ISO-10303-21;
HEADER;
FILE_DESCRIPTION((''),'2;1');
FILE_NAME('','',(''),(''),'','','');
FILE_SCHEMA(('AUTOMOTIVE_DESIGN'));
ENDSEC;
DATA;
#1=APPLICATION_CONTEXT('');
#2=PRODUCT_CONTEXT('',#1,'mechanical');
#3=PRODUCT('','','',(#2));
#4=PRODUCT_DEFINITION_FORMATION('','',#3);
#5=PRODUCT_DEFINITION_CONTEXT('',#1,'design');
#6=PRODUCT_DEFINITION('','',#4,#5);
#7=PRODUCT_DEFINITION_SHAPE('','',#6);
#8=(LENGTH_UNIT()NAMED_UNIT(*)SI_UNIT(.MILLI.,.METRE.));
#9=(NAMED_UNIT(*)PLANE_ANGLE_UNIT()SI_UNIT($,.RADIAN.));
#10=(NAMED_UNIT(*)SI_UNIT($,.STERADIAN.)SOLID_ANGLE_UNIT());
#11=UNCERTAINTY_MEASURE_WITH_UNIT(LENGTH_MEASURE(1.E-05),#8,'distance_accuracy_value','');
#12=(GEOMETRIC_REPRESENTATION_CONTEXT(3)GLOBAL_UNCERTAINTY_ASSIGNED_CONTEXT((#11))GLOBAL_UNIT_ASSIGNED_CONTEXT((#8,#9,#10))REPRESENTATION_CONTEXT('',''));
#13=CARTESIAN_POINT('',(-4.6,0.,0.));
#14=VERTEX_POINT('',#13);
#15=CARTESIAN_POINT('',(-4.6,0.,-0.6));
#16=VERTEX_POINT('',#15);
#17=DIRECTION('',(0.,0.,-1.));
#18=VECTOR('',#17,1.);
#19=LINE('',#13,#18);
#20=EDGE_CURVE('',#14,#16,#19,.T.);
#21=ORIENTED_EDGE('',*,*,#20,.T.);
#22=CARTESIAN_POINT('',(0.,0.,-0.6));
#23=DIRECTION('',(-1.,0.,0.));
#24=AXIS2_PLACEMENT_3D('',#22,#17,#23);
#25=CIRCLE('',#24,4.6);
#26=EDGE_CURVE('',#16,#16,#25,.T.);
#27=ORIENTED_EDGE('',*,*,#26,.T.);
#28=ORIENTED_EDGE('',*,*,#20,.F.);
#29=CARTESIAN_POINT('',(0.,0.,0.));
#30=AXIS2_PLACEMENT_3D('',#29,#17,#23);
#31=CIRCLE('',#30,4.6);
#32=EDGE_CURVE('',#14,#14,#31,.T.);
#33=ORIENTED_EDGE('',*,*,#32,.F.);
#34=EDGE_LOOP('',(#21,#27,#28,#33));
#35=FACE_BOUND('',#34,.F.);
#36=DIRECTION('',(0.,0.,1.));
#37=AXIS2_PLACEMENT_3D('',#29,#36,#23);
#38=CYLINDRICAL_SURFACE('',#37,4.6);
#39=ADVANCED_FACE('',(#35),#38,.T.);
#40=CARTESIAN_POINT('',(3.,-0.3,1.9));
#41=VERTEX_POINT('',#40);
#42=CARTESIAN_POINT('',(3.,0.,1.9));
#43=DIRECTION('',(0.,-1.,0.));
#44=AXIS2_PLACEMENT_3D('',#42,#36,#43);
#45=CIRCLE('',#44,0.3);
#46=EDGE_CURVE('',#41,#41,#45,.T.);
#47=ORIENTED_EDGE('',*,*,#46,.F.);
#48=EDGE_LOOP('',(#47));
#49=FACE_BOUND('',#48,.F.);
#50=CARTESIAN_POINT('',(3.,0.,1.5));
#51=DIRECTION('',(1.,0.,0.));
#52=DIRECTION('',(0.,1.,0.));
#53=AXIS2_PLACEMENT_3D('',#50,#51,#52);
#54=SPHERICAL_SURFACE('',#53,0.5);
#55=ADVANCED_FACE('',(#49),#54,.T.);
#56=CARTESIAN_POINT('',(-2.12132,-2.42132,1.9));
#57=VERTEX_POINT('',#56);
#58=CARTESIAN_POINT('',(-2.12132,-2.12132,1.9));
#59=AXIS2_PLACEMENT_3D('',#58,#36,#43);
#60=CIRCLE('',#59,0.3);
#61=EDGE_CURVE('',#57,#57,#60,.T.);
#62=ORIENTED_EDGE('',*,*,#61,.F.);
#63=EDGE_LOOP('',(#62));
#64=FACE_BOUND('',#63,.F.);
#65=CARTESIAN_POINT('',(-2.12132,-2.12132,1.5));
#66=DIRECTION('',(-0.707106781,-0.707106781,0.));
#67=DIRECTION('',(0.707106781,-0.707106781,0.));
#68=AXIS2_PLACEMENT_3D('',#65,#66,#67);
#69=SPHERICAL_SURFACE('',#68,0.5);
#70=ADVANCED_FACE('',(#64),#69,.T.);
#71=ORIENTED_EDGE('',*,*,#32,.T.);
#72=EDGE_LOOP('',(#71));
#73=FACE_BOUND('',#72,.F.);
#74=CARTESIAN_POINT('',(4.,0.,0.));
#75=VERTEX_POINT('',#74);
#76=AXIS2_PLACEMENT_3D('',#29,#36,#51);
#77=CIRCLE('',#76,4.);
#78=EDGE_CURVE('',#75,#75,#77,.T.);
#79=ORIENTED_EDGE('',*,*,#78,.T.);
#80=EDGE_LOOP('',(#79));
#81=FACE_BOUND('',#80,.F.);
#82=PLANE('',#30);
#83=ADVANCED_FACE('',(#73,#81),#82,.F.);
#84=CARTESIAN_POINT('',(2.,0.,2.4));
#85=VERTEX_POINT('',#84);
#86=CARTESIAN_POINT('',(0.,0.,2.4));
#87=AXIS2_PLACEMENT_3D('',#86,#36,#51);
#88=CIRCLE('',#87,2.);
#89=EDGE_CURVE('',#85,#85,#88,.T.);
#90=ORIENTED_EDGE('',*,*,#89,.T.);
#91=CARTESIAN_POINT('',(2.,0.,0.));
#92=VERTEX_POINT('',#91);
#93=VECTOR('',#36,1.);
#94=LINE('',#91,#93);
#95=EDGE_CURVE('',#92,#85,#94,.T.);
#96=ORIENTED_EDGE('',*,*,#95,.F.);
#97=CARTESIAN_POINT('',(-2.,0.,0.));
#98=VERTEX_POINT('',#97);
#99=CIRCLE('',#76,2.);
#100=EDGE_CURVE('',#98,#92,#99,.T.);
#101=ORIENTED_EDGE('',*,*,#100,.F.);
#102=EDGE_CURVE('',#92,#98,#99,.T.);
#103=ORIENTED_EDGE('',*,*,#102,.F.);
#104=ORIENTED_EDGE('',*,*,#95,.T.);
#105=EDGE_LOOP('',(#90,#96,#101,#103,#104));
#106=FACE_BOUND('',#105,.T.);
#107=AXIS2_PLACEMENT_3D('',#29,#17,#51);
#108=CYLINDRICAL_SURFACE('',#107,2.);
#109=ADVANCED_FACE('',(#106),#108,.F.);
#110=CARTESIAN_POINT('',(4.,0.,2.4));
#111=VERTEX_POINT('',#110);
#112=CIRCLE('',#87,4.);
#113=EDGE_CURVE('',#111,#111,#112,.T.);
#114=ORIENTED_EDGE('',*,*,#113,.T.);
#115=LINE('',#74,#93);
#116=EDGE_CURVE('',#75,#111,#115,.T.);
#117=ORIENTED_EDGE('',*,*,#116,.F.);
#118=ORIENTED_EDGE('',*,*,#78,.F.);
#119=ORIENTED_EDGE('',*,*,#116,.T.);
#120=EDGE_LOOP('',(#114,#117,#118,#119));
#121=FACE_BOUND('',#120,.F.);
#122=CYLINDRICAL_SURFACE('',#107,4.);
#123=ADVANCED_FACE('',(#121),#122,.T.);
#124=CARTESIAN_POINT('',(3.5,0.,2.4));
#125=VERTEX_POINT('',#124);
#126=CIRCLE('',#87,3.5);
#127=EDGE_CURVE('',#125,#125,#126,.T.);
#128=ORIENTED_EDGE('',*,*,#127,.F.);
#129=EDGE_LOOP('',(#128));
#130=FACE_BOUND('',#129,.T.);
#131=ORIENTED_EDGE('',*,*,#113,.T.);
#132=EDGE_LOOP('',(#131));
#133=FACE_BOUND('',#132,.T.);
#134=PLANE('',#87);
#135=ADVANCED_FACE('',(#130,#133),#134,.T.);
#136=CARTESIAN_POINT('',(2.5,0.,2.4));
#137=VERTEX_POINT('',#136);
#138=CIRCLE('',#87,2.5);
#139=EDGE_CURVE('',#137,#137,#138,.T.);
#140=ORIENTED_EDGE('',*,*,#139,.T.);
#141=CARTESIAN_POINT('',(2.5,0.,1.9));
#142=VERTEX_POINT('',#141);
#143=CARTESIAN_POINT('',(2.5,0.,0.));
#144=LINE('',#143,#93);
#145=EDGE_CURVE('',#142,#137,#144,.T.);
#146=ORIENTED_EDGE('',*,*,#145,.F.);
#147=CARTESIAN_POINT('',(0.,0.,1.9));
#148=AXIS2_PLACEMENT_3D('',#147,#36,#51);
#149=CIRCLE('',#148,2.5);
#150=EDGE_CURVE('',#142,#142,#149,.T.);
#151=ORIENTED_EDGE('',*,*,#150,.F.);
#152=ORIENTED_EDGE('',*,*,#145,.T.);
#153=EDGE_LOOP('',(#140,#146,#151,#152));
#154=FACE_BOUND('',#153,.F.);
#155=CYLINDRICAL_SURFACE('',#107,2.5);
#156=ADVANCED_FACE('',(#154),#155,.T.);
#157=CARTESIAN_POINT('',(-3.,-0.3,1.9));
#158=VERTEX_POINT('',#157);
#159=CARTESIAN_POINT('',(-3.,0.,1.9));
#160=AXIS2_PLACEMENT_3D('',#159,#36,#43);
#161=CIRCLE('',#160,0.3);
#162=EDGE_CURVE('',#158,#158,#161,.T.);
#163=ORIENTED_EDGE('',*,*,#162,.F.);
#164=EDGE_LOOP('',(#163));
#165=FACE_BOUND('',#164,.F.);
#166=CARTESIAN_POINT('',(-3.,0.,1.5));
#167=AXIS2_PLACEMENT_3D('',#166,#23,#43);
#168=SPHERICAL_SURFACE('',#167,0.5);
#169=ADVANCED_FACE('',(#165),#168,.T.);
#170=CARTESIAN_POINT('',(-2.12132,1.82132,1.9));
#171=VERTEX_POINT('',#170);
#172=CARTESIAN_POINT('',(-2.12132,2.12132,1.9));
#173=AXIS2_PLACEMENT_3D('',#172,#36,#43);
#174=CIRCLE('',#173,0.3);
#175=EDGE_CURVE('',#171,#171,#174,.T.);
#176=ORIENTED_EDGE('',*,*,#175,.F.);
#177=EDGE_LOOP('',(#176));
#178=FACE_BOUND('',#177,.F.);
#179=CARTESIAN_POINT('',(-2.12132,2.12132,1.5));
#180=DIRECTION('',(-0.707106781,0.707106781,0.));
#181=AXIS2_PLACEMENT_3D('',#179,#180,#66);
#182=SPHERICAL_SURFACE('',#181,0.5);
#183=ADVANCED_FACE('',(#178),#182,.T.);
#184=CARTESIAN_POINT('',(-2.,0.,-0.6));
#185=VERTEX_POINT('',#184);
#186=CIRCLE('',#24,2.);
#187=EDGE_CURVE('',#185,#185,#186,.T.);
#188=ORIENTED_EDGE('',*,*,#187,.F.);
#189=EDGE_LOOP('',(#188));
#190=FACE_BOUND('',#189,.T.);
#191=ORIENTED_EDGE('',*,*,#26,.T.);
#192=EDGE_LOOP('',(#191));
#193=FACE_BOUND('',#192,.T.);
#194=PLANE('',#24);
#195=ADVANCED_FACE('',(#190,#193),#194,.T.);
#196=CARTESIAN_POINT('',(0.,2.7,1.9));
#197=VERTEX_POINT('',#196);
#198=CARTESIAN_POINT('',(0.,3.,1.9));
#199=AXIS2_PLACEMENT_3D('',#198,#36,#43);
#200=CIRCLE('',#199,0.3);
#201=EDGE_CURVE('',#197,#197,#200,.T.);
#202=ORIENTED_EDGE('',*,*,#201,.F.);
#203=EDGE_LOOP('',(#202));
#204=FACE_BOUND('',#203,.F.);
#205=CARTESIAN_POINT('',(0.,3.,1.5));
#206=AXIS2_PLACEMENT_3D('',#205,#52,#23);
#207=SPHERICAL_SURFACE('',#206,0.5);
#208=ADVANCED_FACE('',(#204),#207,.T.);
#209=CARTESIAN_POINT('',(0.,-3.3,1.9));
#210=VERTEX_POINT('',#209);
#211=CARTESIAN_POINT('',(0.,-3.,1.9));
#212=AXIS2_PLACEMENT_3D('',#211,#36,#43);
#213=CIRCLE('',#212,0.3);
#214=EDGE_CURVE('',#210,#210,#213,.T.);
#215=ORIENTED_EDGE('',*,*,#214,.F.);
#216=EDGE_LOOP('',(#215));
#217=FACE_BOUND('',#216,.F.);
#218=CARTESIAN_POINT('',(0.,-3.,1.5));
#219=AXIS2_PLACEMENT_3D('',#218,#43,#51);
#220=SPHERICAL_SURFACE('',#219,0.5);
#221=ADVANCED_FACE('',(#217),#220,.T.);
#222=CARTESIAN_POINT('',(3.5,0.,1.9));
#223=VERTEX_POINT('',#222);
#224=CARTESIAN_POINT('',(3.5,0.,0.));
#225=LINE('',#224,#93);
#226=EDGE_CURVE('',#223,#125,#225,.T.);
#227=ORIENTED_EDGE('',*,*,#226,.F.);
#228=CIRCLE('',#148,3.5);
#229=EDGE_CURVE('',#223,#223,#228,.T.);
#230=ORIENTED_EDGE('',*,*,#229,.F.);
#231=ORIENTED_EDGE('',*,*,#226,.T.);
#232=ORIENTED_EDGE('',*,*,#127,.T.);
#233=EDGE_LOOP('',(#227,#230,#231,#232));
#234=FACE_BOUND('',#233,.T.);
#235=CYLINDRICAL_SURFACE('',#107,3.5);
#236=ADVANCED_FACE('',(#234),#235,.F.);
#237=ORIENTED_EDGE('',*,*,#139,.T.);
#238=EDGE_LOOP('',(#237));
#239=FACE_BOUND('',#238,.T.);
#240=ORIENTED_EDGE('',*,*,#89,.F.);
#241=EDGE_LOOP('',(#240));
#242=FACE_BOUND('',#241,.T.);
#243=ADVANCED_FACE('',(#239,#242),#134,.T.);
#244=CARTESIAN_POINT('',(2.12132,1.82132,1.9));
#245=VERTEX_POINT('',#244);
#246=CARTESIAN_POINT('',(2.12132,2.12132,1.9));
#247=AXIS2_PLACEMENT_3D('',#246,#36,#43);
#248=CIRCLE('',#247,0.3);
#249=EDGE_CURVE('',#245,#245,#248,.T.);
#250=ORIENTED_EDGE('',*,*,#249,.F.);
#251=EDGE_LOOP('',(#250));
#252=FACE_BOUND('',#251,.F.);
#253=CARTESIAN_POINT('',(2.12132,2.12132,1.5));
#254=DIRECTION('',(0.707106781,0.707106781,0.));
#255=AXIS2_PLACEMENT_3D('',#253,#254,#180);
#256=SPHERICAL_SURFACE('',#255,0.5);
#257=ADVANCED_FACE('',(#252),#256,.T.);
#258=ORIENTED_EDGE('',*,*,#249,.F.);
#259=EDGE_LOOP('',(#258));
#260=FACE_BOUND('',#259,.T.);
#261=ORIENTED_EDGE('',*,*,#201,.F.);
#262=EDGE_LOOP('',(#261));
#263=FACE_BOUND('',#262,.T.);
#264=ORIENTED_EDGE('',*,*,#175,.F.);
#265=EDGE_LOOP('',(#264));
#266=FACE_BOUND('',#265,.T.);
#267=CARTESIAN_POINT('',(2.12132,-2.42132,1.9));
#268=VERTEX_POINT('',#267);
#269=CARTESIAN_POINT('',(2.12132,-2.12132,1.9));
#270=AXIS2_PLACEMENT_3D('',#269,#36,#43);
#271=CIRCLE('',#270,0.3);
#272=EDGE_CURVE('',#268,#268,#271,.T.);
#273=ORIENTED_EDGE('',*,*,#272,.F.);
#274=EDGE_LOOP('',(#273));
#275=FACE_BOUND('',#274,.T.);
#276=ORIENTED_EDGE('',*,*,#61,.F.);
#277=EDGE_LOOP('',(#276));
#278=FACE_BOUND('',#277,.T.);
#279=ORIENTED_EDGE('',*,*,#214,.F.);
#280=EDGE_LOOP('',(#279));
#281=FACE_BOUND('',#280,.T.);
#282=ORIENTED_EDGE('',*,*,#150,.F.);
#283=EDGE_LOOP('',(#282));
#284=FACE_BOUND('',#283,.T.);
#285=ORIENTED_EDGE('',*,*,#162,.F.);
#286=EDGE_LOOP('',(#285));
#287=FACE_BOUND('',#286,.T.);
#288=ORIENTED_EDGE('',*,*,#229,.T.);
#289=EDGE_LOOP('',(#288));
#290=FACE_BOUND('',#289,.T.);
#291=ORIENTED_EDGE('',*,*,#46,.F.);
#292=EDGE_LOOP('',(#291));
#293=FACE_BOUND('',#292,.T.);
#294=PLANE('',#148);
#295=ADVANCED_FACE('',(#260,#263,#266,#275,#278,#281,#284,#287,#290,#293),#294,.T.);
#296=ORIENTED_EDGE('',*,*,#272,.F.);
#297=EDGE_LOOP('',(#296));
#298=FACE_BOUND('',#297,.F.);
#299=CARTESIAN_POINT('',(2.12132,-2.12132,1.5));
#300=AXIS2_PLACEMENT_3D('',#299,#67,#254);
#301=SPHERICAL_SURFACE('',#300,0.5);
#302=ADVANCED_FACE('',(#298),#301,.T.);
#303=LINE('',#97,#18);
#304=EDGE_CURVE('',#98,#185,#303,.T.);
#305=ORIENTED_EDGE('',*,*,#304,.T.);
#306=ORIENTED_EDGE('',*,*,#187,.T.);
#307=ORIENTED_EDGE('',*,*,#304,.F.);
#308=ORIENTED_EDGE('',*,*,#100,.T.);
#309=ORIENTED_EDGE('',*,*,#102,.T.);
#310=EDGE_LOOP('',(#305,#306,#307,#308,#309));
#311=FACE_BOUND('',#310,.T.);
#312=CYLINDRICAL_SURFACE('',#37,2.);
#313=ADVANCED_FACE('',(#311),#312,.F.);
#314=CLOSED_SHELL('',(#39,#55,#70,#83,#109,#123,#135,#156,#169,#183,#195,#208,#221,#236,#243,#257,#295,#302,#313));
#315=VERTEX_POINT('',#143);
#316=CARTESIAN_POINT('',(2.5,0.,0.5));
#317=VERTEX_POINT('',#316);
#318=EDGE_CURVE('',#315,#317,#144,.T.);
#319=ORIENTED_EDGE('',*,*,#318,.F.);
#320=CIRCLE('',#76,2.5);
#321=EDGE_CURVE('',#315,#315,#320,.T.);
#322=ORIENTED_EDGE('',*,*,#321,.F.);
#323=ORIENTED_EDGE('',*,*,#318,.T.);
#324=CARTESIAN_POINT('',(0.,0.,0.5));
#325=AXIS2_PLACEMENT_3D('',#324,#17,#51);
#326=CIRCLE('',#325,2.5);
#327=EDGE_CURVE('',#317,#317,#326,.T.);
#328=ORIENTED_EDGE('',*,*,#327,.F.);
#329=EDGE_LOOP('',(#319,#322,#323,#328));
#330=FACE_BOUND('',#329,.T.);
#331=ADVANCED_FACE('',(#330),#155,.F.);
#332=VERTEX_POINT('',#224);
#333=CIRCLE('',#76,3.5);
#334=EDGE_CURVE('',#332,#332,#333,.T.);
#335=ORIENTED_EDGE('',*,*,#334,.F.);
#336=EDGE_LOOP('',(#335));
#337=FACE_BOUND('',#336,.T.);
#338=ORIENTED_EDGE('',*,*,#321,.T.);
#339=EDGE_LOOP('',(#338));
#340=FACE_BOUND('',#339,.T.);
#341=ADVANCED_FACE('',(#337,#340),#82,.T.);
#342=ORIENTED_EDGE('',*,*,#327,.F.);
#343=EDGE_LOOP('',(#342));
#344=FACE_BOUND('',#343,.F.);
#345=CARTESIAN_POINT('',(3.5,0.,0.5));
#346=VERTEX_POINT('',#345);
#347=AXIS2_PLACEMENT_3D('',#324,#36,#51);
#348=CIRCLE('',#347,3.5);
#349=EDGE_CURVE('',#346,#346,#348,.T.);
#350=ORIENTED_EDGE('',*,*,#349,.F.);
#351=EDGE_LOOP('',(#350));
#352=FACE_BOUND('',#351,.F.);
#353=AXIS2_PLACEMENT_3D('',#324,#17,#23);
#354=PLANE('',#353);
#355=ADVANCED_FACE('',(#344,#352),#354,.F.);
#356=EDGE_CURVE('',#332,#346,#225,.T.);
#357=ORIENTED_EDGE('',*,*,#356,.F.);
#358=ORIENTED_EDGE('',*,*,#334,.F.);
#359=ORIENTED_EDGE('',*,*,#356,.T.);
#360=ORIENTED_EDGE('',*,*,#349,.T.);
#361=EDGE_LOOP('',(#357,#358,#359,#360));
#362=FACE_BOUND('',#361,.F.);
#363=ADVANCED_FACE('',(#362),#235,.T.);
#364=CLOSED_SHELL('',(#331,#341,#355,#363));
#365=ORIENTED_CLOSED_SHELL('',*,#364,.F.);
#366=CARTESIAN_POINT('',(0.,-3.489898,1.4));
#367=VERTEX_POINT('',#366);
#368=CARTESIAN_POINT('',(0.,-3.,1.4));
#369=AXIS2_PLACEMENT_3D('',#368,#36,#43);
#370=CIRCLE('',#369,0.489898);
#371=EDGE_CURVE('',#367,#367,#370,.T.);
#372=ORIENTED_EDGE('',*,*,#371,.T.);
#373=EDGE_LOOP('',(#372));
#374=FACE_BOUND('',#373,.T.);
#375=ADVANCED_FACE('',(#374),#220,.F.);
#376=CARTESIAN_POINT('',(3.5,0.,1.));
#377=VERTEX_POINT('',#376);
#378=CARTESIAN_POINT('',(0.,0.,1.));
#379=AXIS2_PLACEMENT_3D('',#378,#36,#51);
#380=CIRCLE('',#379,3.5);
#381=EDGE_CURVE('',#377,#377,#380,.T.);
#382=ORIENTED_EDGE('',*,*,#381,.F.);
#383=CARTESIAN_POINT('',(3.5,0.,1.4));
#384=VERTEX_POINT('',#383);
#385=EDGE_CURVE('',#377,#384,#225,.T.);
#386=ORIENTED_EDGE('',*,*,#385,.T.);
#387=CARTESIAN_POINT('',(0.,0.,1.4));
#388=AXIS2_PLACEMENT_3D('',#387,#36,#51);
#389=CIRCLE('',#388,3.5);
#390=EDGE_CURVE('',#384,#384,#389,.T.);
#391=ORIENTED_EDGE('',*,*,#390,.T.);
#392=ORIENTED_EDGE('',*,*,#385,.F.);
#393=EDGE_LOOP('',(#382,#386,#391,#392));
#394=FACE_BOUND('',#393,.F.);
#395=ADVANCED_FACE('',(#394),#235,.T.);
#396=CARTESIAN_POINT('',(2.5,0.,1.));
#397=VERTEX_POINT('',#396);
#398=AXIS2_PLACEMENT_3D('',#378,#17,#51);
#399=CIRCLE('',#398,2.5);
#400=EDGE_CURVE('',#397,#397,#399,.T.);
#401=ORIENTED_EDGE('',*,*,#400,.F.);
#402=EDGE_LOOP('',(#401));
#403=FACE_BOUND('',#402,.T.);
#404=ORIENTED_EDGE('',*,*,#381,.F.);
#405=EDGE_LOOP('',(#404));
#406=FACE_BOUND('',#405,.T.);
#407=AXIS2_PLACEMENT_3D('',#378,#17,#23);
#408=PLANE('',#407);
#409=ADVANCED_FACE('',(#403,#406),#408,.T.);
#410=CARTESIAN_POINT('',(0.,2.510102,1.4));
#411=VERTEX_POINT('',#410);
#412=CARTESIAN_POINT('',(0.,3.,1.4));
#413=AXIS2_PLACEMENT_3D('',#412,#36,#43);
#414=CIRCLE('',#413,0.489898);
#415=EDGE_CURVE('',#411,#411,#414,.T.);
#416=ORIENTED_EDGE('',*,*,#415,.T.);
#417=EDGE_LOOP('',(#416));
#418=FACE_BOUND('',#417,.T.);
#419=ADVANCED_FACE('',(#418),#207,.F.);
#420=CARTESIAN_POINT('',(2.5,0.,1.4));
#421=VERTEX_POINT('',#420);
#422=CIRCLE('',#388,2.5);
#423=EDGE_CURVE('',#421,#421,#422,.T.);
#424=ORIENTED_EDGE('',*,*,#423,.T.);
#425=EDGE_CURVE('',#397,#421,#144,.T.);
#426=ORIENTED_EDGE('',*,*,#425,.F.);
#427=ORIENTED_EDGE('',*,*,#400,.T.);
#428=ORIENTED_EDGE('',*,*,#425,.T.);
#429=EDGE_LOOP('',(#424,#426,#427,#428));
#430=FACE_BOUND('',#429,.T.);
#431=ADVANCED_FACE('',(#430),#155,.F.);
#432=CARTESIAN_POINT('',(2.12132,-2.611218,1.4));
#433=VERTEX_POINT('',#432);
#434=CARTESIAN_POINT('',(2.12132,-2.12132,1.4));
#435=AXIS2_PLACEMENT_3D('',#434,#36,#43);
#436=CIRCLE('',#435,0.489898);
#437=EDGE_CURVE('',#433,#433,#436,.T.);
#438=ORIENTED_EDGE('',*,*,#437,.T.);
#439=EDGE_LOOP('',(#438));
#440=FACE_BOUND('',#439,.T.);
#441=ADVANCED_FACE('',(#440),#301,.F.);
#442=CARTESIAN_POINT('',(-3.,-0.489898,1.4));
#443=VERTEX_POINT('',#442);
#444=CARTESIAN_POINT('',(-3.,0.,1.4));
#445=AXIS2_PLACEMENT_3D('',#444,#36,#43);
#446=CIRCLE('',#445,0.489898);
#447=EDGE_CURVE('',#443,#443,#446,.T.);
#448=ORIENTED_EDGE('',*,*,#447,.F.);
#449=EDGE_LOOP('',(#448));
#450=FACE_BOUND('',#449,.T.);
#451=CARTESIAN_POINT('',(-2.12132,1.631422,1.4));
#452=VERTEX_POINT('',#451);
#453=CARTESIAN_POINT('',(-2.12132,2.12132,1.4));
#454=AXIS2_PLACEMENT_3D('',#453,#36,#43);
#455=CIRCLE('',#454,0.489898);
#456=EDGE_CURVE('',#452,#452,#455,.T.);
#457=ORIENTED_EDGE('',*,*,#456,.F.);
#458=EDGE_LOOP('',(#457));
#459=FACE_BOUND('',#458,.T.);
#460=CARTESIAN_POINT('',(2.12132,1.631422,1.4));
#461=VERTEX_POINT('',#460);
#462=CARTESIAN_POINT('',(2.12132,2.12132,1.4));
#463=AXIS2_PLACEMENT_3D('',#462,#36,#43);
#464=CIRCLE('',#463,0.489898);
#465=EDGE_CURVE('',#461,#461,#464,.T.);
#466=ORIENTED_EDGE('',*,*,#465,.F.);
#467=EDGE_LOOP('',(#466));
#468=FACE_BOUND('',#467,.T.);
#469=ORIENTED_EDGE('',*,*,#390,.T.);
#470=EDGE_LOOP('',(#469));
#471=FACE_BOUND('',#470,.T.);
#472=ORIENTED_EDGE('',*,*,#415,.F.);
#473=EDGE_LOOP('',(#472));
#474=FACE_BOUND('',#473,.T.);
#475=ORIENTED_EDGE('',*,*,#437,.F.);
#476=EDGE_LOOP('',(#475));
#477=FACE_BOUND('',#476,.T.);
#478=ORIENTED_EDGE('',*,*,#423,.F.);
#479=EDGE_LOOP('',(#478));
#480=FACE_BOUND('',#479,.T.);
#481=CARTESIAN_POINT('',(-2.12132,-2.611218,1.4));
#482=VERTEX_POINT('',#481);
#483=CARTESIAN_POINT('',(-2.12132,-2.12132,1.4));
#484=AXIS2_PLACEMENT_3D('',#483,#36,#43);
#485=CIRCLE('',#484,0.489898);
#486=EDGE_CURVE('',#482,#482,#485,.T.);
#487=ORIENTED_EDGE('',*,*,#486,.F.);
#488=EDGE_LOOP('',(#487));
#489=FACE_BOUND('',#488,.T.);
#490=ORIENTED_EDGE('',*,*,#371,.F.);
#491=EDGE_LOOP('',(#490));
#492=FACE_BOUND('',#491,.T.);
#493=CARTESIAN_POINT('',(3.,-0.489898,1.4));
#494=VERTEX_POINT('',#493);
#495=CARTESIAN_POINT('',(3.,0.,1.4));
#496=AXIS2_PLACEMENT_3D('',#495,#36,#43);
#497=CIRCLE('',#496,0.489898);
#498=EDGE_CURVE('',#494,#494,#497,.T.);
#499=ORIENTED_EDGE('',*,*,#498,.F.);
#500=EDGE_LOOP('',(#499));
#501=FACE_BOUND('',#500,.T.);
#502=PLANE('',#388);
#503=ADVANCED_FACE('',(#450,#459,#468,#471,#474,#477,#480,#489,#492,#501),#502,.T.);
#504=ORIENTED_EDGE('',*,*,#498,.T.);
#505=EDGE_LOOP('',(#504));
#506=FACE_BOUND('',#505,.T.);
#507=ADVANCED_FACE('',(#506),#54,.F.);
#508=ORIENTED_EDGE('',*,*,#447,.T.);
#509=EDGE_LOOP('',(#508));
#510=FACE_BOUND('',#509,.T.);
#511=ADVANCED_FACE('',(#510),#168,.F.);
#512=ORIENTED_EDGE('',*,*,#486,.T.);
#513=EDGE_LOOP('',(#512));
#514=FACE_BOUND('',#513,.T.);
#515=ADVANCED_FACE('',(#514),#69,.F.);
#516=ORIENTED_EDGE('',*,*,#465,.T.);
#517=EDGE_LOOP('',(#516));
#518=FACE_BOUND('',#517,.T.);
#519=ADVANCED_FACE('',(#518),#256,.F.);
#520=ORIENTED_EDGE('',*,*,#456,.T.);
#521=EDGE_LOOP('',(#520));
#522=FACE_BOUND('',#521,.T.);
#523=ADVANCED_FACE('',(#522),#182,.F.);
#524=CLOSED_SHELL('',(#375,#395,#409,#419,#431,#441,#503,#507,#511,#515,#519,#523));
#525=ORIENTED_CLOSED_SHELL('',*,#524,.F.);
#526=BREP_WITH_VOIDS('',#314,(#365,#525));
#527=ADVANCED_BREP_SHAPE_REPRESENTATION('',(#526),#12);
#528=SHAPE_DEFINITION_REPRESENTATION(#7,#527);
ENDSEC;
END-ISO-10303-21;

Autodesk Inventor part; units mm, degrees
sketch "スケッチ1" plane through (0, 0, 0) normal (0, 0, 1) x (1, 0, 0)
  circle A0 centre (0, 0) radius 2
  circle A1 centre (0, 0) radius 2.5
  circle A2 centre (0, 0) radius 4
  circle A3 centre (0, 0) radius 3.5
  dimension "d0" = 4
  dimension "d1" = 5
  dimension "d2" = 8
  dimension "d3" = 7
extrude "押し出し1" add sketch "スケッチ1" along normal blind 2.4
sketch "スケッチ2" plane through (0, 0, 2.4) normal (0, 0, 1) x (1, 0, 0)
  point P0 (0, 0)
ref_plane "作業平面1" through (0, 0, 1.4) normal (0, 0, 1) x (1, 0, 0)
ref_plane "作業平面2" through (0, 0, 1) normal (0, 0, -1) x (-1, 0, 0)
ref_plane "作業平面3" through (0, 0, 1.5) normal (0, 0, -1) x (-1, 0, 0)
sketch "スケッチ3" plane through (0, 0, 1.5) normal (0, 0, -1) x (-1, 0, 0)
  circle A0 centre (0, 3) radius 0.5
  circle A1 centre (0, 0) radius 3.5 projected
  circle A2 centre (0, 0) radius 2.5 projected
  line L0 (0, 3.5) -> (0, 2.5)
revolve "回転1" add sketch "スケッチ3" angle 360 about axis through (0, 3.5, 1.5) along (0, -1, 0) picked at (0.1674, 3.0997) contours A0 L0
pattern_circular "円形状パターン1" count 8 over 360 about axis through (0, 0, -10) along (0, 0, 1) of "回転1"
sketch "スケッチ4" plane through (0, 0, 1) normal (0, 0, -1) x (-1, 0, 0)
  circle A0 centre (0, 0) radius 2.5 projected
  circle A1 centre (0, 0) radius 3.5 projected
extrude "押し出し2" add sketch "スケッチ4" along normal blind 0.5
sketch "スケッチ5" plane through (0, 0, 1.4) normal (0, 0, 1) x (1, 0, 0)
  circle A0 centre (0, 0) radius 2.5 projected
  circle A1 centre (0, 0) radius 3.5 projected
extrude "押し出し3" add sketch "スケッチ5" along normal blind 0.5
sketch "スケッチ6" plane through (0, 0, 0) normal (0, 0, -1) x (-1, 0, 0)
  circle A0 centre (0, 0) radius 2
  circle A1 centre (0, 0) radius 4.6
  circle A2 centre (0, 0) radius 2 projected
  dimension "d17" = 9.2
extrude "押し出し4" add sketch "スケッチ6" along normal blind 0.6
sketch "スケッチ7" plane through (0, 0, 0) normal (0, 0, -1) x (-1, 0, 0)
  point P0 (0, 0)
properties part number "φ4φ8ベアリングa" material "鋼 AISI 1006 85 HR"
